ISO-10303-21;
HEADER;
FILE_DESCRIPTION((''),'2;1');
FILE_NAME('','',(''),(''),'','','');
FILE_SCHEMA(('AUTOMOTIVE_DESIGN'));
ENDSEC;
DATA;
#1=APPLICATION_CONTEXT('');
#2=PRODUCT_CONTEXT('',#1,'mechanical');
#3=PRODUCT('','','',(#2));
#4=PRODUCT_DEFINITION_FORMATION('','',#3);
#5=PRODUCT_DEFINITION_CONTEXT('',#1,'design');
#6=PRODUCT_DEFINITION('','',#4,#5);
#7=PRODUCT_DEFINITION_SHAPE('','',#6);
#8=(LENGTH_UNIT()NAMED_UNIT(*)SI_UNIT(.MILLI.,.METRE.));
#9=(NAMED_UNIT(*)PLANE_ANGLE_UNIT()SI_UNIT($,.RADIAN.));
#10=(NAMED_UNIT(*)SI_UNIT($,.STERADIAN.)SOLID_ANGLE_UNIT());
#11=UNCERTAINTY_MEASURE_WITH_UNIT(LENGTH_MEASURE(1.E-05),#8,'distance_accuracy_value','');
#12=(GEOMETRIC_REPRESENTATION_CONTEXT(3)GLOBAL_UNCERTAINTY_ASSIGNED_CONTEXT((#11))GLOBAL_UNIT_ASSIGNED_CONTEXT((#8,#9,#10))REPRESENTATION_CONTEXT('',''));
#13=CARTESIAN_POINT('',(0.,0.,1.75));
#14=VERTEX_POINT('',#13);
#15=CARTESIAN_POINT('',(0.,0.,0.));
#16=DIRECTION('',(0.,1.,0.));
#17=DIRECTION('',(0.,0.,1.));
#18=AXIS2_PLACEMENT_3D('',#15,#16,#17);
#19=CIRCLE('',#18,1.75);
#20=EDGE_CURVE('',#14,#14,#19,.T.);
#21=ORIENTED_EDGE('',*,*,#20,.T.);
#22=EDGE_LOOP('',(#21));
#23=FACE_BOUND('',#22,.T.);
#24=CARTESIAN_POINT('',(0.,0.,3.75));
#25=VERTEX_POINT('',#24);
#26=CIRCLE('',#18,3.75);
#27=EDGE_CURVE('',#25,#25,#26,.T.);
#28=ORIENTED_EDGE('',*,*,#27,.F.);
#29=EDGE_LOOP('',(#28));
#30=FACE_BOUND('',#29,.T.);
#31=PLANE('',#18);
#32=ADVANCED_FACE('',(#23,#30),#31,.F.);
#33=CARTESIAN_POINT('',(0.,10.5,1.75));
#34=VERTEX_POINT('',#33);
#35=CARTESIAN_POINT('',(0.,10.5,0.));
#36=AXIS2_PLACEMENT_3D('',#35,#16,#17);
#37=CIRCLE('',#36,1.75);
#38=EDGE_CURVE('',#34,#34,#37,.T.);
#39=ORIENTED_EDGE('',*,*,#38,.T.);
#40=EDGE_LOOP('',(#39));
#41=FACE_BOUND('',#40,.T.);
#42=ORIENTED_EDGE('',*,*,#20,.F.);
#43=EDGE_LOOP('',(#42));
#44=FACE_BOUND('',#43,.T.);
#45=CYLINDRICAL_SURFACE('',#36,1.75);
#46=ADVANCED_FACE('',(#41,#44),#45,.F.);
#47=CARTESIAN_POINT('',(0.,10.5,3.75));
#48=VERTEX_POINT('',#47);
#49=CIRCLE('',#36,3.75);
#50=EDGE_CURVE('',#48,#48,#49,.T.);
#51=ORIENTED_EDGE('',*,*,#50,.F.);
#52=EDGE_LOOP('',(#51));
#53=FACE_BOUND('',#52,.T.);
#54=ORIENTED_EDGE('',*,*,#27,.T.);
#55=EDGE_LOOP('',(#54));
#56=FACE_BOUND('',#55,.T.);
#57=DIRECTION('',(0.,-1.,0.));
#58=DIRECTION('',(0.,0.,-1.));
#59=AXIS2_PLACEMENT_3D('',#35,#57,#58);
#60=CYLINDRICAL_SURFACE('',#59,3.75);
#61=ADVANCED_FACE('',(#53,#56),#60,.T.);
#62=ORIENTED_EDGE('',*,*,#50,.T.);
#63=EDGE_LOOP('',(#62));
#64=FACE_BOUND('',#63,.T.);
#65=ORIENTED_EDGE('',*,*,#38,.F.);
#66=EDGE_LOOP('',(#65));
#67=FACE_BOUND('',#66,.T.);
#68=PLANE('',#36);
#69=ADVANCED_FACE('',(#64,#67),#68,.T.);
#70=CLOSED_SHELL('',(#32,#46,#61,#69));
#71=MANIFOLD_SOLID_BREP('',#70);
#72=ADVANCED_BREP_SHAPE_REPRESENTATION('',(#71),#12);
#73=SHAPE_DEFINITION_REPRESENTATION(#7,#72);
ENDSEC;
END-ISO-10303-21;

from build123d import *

# Parameters (mm, degrees)
SKETCH1_R                  = 3.75
BOSS_EXTRUDE1_DEPTH        = 10.5
F_3_5_3_5_DIAMETER_HOLE1_D = 3.5


with BuildPart() as part:
    # Sketch1 → Boss-Extrude1 (new body)
    with BuildSketch(Plane(origin=(0, 0, 0), x_dir=(1, 0, 0), z_dir=(0, 1, 0))):
        Circle(SKETCH1_R)
    extrude(amount=BOSS_EXTRUDE1_DEPTH)

    # Ø3.5 (3.5) Diameter Hole1 (through all)
    with Locations(Plane(origin=(0, 10.5, 0), x_dir=(1, 0, 0), z_dir=(0, 1, 0))):
        with Locations((0, 0)):
            Hole(F_3_5_3_5_DIAMETER_HOLE1_D / 2)


solid = part.part
